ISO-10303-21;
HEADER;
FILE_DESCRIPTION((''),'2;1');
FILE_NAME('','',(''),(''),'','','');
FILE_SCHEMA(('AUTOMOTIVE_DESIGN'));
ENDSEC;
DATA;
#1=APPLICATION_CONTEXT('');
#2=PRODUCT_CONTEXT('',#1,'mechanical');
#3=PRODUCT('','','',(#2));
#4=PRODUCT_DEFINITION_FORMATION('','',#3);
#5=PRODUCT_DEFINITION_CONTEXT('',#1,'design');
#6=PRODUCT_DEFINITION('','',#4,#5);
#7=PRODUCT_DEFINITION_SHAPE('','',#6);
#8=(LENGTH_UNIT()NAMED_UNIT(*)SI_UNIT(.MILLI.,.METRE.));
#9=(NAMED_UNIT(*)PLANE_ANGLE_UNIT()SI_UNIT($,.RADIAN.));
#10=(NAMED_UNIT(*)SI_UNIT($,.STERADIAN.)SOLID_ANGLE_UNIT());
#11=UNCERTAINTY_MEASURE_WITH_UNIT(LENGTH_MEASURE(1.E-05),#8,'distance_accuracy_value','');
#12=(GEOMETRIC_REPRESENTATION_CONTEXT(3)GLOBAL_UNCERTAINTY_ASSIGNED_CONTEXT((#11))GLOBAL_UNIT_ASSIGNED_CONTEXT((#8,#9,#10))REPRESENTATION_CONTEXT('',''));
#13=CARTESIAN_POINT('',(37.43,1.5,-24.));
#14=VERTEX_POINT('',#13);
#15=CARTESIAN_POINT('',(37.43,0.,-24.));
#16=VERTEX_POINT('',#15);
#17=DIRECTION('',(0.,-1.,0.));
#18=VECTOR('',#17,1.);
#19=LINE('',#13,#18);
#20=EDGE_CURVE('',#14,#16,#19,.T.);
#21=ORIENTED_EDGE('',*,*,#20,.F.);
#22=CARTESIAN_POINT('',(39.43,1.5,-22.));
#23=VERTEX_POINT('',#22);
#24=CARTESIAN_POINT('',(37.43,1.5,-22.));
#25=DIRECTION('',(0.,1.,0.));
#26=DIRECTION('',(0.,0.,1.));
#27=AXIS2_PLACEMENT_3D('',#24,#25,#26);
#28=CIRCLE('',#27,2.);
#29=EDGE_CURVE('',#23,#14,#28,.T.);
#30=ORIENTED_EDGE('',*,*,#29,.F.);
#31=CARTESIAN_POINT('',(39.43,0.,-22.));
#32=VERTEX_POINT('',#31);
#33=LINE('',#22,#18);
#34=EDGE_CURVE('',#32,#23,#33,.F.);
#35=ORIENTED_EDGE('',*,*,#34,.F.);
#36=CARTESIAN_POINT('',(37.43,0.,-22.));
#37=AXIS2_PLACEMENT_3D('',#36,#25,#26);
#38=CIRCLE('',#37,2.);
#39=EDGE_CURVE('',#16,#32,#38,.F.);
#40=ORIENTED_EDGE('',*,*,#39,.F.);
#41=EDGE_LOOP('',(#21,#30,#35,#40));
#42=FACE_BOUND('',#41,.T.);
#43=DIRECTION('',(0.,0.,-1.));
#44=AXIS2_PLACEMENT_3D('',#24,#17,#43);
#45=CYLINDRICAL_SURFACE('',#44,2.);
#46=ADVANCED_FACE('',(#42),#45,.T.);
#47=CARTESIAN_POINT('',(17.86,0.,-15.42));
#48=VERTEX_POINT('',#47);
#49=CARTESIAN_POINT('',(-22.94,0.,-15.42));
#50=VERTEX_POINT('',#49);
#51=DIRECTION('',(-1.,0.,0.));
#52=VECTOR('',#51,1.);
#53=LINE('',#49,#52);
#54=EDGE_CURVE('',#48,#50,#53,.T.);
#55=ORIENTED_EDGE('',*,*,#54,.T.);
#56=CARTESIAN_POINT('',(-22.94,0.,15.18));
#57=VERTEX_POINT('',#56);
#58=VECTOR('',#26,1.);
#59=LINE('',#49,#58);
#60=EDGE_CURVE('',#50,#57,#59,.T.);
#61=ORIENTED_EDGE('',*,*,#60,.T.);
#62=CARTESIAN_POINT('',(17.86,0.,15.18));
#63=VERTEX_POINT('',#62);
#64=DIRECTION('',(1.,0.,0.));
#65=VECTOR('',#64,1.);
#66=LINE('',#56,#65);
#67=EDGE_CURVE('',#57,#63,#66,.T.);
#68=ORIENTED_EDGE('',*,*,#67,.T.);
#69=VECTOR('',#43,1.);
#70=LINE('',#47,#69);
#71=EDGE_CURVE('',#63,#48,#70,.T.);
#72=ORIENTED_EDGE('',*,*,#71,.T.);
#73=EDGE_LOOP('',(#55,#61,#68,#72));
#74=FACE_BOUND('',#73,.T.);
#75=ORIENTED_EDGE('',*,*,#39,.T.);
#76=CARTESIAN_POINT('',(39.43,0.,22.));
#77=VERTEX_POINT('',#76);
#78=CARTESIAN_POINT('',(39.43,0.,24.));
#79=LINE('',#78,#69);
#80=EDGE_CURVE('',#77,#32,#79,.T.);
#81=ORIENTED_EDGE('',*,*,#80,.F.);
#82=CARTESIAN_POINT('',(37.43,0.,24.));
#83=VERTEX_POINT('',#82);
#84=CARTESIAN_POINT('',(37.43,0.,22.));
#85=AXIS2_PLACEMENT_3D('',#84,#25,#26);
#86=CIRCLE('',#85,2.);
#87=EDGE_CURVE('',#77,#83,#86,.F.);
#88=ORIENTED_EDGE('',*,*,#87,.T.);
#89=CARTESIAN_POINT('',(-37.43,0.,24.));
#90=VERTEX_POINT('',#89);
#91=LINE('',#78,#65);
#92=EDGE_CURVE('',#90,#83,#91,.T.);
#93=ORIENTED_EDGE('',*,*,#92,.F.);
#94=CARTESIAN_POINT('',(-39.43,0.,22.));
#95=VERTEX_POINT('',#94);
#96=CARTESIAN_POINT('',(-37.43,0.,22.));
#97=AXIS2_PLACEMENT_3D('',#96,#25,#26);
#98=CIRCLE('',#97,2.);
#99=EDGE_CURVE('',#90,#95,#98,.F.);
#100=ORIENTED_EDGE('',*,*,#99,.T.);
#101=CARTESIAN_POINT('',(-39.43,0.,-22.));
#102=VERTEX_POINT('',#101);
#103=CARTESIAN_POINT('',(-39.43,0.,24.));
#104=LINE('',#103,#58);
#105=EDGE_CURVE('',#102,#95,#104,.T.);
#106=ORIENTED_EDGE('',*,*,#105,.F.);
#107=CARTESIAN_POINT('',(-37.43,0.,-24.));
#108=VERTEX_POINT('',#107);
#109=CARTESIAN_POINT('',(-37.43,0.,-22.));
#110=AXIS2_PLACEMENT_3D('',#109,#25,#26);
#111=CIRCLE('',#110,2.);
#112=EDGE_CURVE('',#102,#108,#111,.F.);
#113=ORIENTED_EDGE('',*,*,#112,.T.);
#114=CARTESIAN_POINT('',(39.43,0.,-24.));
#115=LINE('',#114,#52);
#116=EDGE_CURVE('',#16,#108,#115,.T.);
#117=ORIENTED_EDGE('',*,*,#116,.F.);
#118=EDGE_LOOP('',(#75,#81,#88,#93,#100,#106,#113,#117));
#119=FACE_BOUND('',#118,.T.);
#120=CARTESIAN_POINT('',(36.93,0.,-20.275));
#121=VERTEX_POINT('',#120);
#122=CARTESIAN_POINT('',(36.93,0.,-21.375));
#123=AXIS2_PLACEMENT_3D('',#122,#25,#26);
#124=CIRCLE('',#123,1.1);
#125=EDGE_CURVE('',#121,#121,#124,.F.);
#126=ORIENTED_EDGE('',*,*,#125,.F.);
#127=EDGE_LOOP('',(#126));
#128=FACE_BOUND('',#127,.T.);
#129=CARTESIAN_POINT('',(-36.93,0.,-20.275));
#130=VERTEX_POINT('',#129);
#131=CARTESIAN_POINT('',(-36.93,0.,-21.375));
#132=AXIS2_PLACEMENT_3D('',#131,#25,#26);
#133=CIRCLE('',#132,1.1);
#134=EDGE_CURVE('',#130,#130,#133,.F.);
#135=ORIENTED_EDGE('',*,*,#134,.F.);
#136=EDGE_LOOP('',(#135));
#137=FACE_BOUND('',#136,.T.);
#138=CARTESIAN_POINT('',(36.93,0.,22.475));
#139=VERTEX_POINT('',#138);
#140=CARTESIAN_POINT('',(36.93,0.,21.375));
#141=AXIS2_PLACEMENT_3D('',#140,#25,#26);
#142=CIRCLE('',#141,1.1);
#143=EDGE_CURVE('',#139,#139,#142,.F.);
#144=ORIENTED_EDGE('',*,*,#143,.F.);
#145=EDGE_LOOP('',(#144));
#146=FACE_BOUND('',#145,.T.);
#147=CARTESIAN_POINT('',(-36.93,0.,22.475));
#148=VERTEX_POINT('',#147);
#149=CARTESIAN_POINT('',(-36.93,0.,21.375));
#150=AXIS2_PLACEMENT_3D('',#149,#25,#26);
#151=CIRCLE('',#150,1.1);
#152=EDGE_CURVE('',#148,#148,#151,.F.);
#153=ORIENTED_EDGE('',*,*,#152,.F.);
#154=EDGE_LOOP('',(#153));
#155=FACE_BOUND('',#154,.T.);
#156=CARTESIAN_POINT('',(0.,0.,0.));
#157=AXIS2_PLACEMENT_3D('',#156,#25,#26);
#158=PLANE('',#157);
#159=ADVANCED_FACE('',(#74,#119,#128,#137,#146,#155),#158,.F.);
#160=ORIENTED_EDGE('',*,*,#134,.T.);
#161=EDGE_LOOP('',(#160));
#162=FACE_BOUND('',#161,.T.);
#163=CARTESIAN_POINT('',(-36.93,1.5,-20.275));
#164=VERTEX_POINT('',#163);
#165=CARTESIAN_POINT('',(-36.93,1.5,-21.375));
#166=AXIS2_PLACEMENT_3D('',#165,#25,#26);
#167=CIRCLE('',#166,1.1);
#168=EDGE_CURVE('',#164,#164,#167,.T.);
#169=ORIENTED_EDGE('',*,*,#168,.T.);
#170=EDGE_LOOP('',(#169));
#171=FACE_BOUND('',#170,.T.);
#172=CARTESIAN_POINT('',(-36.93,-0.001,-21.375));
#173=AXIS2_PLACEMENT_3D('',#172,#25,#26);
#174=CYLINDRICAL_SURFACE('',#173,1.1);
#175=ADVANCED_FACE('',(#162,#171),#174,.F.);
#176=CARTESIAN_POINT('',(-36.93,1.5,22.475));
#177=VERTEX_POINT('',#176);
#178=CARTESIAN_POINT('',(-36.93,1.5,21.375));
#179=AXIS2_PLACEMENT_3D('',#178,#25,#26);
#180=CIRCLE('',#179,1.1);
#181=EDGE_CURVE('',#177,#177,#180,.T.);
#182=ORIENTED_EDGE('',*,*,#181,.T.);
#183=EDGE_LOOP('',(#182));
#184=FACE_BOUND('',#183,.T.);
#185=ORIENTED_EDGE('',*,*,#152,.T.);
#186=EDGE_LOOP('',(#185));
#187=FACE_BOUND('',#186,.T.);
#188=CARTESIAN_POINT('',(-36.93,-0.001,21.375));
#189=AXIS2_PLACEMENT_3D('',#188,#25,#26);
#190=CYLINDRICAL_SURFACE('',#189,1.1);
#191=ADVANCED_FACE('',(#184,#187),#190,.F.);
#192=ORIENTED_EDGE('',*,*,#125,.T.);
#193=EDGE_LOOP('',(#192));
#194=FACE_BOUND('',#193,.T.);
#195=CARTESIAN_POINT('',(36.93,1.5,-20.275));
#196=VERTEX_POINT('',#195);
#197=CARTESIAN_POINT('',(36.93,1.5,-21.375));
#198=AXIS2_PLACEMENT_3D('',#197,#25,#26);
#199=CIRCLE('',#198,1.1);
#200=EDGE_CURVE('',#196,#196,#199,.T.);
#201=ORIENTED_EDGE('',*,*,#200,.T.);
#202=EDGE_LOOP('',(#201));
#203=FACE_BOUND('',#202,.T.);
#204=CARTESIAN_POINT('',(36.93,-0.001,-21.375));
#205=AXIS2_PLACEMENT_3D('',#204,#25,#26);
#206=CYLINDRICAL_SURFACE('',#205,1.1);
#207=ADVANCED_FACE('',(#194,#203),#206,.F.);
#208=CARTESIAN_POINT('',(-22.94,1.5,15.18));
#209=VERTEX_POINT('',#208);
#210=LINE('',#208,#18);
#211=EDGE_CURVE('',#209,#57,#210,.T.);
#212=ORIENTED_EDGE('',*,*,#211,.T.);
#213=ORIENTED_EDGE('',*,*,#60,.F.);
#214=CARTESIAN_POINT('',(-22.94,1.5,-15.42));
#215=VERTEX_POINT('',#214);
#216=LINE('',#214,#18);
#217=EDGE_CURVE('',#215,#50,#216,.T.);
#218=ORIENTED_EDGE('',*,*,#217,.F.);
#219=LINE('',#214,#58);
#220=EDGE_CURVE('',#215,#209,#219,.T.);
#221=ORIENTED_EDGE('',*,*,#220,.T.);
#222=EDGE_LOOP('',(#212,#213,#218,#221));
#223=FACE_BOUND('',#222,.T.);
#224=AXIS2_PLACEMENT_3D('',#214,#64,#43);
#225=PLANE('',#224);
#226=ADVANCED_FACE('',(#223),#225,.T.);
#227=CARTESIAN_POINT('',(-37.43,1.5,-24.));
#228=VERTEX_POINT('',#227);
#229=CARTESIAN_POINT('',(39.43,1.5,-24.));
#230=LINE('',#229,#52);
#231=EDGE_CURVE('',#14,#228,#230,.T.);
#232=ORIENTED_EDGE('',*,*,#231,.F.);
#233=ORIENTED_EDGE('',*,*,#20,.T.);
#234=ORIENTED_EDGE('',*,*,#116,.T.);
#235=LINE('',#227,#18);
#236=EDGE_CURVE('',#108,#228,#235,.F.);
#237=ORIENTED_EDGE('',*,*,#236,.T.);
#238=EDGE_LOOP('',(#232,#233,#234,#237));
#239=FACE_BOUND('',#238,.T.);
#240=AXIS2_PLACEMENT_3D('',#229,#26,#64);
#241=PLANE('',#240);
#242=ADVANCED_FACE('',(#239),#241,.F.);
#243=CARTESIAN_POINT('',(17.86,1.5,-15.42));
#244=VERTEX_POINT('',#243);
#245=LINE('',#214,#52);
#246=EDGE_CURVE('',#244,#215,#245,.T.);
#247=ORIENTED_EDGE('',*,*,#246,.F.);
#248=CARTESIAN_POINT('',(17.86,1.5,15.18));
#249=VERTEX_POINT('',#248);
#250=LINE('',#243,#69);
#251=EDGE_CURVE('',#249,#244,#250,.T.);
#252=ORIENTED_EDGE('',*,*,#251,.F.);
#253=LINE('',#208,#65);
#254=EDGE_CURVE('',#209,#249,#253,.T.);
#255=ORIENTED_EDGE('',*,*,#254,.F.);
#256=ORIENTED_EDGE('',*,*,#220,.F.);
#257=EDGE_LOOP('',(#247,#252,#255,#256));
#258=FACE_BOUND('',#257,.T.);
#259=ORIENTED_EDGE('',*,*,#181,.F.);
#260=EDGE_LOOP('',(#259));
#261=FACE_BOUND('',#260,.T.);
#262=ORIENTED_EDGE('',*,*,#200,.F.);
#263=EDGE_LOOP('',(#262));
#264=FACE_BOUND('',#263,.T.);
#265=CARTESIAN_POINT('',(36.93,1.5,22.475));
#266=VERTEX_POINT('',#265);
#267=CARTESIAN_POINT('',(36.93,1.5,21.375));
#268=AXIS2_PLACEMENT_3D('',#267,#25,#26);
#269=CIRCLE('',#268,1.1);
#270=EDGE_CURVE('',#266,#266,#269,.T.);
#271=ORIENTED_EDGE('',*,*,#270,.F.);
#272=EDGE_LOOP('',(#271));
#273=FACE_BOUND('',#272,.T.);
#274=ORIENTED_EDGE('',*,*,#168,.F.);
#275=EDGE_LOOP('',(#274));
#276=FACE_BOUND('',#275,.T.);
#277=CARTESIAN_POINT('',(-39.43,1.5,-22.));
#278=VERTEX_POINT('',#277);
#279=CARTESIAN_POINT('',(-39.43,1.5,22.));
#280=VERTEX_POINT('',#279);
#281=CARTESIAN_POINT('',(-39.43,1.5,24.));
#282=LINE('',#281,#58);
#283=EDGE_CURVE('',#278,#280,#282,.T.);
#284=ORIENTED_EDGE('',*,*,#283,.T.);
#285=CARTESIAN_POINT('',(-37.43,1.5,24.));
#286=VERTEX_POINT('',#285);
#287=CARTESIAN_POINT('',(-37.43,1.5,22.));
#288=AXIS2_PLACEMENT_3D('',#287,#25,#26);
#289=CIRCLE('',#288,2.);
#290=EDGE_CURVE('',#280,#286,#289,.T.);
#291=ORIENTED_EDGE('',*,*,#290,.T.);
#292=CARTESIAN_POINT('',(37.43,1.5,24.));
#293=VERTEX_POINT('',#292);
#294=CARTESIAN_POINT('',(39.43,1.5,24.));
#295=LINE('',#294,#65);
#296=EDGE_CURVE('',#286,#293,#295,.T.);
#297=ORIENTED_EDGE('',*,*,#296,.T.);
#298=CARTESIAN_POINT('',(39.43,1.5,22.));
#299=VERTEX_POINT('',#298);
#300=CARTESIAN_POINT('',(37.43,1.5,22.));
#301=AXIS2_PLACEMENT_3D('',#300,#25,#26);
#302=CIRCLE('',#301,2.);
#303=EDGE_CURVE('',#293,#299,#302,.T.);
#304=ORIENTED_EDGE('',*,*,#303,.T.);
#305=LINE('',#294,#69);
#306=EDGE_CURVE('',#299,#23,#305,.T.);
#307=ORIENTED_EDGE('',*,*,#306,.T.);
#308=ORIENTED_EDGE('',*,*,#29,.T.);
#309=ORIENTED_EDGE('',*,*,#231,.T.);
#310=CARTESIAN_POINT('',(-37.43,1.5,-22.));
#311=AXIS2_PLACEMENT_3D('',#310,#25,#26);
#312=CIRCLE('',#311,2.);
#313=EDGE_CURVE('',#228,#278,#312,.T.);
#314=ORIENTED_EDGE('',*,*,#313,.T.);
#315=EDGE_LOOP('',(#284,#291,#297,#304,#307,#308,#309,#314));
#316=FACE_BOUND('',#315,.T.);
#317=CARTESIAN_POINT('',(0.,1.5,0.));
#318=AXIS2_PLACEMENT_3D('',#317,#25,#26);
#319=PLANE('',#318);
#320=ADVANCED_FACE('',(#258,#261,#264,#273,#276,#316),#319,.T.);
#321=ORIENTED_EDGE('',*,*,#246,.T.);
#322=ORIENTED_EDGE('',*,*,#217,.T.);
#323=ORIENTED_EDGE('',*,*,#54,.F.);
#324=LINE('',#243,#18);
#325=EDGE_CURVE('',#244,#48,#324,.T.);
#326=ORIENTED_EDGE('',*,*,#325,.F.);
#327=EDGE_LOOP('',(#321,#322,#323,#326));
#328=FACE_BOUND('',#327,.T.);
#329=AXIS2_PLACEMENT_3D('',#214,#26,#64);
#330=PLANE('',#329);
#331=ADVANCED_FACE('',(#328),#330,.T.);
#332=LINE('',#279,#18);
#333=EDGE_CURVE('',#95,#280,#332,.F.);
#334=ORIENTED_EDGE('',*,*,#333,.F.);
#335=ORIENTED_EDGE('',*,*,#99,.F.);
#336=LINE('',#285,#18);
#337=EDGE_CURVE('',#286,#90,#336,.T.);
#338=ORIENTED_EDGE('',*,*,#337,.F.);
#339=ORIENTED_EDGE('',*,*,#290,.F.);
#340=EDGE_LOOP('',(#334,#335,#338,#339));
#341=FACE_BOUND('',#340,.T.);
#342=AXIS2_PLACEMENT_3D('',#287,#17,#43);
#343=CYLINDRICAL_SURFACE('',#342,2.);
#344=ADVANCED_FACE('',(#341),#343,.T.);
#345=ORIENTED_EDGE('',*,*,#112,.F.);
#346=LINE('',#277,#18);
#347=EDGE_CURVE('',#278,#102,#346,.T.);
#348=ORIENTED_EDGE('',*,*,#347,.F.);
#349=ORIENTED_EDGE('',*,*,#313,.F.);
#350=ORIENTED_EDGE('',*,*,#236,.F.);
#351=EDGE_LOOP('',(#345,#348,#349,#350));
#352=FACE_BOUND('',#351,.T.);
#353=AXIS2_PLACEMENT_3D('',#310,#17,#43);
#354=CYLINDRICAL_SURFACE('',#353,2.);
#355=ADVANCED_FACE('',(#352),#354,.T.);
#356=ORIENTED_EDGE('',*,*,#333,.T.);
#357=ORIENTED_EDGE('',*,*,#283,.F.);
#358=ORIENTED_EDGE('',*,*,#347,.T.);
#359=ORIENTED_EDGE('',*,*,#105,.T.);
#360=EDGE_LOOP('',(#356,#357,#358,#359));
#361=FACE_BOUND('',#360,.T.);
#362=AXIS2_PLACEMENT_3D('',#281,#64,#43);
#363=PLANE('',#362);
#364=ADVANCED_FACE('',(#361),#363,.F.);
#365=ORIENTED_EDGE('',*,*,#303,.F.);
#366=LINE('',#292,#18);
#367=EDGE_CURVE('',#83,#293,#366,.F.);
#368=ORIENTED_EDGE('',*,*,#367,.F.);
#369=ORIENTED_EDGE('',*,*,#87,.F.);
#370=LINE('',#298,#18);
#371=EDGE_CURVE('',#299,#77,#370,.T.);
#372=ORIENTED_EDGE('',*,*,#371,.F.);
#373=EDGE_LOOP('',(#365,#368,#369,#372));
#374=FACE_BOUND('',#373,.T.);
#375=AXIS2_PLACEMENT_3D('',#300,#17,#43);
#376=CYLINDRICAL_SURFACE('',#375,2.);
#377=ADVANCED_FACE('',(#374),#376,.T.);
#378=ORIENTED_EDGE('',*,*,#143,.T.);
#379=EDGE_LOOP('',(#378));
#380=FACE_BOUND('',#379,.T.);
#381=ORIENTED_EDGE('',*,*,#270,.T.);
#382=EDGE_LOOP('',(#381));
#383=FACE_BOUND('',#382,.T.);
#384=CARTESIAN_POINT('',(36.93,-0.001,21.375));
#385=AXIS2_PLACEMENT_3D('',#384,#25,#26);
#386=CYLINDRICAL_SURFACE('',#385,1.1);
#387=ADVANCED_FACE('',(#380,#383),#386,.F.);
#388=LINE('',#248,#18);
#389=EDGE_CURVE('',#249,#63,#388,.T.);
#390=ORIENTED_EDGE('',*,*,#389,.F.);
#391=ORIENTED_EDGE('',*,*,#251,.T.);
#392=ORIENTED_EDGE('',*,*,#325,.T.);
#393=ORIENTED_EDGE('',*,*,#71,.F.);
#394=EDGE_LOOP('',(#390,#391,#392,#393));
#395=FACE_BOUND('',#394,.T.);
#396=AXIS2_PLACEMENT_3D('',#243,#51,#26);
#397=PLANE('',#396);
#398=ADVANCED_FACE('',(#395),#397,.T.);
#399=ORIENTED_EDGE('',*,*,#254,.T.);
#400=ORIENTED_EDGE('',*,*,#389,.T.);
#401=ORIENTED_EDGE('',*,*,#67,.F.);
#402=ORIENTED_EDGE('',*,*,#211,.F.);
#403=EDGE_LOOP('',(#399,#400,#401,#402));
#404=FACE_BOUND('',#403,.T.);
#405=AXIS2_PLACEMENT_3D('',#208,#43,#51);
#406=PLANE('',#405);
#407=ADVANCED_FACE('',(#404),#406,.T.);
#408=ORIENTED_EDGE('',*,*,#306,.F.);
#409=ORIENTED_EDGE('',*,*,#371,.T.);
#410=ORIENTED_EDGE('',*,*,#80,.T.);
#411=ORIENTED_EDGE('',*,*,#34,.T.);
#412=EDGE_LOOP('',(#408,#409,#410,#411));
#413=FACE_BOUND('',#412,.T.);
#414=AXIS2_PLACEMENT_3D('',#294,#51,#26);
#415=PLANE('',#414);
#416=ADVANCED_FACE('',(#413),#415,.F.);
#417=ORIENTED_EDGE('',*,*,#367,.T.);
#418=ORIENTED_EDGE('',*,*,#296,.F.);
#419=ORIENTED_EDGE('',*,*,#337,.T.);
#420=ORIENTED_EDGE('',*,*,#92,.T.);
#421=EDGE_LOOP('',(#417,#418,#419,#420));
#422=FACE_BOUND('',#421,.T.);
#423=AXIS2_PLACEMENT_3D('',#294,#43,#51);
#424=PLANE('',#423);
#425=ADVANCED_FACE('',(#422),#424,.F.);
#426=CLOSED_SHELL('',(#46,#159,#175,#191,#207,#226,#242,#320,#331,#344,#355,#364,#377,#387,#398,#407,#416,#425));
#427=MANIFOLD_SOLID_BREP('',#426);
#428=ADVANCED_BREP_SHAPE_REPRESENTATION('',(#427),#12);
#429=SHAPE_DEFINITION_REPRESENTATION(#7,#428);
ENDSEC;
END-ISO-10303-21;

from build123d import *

# Parameters (mm, degrees)
SKETCH1_W           = 78.86
SKETCH1_H           = 48
SKETCH1_W_2         = 40.8
SKETCH1_H_2         = 30.6
BOSS_EXTRUDE1_DEPTH = 1.5
CUT_EXTRUDE1_REACH  = 48.184
SKETCH2_R           = 1.1
FILLET1_R           = 2


with BuildPart() as part:
    # Sketch1 → Boss-Extrude1 (new body)
    with BuildSketch(Plane(origin=(0, 0, 0), x_dir=(1, 0, 0), z_dir=(0, 1, 0))):
        Rectangle(SKETCH1_W, SKETCH1_H)
        with Locations((-2.54, 0.12)):
            Rectangle(SKETCH1_W_2, SKETCH1_H_2, mode=Mode.SUBTRACT)
    extrude(amount=BOSS_EXTRUDE1_DEPTH)

    # Sketch2 → Cut-Extrude1 (cut, up to next)
    with BuildSketch(Plane(origin=(0, 1.5, 0), x_dir=(1, 0, 0), z_dir=(0, 1, 0)), mode=Mode.PRIVATE) as cut_extrude1_sk1:
        with Locations(Location((-36.93, 21.375, 0), (0, 0, 270))):
            Circle(SKETCH2_R)
    cut_extrude1_tool1 = extrude(cut_extrude1_sk1.sketch, amount=-CUT_EXTRUDE1_REACH, mode=Mode.PRIVATE) & part.part
    # Sketch2 → Cut-Extrude1 (cut, up to next)
    with BuildSketch(Plane(origin=(0, 1.5, 0), x_dir=(1, 0, 0), z_dir=(0, 1, 0)), mode=Mode.PRIVATE) as cut_extrude1_sk2:
        with Locations(Location((-36.93, -21.375, 0), (0, 0, 270))):
            Circle(SKETCH2_R)
    cut_extrude1_tool2 = extrude(cut_extrude1_sk2.sketch, amount=-CUT_EXTRUDE1_REACH, mode=Mode.PRIVATE) & part.part
    # Sketch2 → Cut-Extrude1 (cut, up to next)
    with BuildSketch(Plane(origin=(0, 1.5, 0), x_dir=(1, 0, 0), z_dir=(0, 1, 0)), mode=Mode.PRIVATE) as cut_extrude1_sk3:
        with Locations(Location((36.93, 21.375, 0), (0, 0, 270))):
            Circle(SKETCH2_R)
    cut_extrude1_tool3 = extrude(cut_extrude1_sk3.sketch, amount=-CUT_EXTRUDE1_REACH, mode=Mode.PRIVATE) & part.part
    # Sketch2 → Cut-Extrude1 (cut, up to next)
    with BuildSketch(Plane(origin=(0, 1.5, 0), x_dir=(1, 0, 0), z_dir=(0, 1, 0)), mode=Mode.PRIVATE) as cut_extrude1_sk4:
        with Locations(Location((36.93, -21.375, 0), (0, 0, 270))):
            Circle(SKETCH2_R)
    cut_extrude1_tool4 = extrude(cut_extrude1_sk4.sketch, amount=-CUT_EXTRUDE1_REACH, mode=Mode.PRIVATE) & part.part
    add(cut_extrude1_tool1.solids().sort_by_distance((-36.93, 1.5, -21.375))[0], mode=Mode.SUBTRACT)
    add(cut_extrude1_tool2.solids().sort_by_distance((-36.93, 1.5, 21.375))[0], mode=Mode.SUBTRACT)
    add(cut_extrude1_tool3.solids().sort_by_distance((36.93, 1.5, -21.375))[0], mode=Mode.SUBTRACT)
    add(cut_extrude1_tool4.solids().sort_by_distance((36.93, 1.5, 21.375))[0], mode=Mode.SUBTRACT)

    # Fillet1
    fillet1_edges = [part.edges().sort_by_distance(p)[0] for p in [
        (-39.43, 0.75, -24),
        (39.43, 0.75, -24),
        (39.43, 0.75, 24),
        (-39.43, 0.75, 24),
    ]]
    fillet(fillet1_edges, radius=FILLET1_R)


solid = part.part
